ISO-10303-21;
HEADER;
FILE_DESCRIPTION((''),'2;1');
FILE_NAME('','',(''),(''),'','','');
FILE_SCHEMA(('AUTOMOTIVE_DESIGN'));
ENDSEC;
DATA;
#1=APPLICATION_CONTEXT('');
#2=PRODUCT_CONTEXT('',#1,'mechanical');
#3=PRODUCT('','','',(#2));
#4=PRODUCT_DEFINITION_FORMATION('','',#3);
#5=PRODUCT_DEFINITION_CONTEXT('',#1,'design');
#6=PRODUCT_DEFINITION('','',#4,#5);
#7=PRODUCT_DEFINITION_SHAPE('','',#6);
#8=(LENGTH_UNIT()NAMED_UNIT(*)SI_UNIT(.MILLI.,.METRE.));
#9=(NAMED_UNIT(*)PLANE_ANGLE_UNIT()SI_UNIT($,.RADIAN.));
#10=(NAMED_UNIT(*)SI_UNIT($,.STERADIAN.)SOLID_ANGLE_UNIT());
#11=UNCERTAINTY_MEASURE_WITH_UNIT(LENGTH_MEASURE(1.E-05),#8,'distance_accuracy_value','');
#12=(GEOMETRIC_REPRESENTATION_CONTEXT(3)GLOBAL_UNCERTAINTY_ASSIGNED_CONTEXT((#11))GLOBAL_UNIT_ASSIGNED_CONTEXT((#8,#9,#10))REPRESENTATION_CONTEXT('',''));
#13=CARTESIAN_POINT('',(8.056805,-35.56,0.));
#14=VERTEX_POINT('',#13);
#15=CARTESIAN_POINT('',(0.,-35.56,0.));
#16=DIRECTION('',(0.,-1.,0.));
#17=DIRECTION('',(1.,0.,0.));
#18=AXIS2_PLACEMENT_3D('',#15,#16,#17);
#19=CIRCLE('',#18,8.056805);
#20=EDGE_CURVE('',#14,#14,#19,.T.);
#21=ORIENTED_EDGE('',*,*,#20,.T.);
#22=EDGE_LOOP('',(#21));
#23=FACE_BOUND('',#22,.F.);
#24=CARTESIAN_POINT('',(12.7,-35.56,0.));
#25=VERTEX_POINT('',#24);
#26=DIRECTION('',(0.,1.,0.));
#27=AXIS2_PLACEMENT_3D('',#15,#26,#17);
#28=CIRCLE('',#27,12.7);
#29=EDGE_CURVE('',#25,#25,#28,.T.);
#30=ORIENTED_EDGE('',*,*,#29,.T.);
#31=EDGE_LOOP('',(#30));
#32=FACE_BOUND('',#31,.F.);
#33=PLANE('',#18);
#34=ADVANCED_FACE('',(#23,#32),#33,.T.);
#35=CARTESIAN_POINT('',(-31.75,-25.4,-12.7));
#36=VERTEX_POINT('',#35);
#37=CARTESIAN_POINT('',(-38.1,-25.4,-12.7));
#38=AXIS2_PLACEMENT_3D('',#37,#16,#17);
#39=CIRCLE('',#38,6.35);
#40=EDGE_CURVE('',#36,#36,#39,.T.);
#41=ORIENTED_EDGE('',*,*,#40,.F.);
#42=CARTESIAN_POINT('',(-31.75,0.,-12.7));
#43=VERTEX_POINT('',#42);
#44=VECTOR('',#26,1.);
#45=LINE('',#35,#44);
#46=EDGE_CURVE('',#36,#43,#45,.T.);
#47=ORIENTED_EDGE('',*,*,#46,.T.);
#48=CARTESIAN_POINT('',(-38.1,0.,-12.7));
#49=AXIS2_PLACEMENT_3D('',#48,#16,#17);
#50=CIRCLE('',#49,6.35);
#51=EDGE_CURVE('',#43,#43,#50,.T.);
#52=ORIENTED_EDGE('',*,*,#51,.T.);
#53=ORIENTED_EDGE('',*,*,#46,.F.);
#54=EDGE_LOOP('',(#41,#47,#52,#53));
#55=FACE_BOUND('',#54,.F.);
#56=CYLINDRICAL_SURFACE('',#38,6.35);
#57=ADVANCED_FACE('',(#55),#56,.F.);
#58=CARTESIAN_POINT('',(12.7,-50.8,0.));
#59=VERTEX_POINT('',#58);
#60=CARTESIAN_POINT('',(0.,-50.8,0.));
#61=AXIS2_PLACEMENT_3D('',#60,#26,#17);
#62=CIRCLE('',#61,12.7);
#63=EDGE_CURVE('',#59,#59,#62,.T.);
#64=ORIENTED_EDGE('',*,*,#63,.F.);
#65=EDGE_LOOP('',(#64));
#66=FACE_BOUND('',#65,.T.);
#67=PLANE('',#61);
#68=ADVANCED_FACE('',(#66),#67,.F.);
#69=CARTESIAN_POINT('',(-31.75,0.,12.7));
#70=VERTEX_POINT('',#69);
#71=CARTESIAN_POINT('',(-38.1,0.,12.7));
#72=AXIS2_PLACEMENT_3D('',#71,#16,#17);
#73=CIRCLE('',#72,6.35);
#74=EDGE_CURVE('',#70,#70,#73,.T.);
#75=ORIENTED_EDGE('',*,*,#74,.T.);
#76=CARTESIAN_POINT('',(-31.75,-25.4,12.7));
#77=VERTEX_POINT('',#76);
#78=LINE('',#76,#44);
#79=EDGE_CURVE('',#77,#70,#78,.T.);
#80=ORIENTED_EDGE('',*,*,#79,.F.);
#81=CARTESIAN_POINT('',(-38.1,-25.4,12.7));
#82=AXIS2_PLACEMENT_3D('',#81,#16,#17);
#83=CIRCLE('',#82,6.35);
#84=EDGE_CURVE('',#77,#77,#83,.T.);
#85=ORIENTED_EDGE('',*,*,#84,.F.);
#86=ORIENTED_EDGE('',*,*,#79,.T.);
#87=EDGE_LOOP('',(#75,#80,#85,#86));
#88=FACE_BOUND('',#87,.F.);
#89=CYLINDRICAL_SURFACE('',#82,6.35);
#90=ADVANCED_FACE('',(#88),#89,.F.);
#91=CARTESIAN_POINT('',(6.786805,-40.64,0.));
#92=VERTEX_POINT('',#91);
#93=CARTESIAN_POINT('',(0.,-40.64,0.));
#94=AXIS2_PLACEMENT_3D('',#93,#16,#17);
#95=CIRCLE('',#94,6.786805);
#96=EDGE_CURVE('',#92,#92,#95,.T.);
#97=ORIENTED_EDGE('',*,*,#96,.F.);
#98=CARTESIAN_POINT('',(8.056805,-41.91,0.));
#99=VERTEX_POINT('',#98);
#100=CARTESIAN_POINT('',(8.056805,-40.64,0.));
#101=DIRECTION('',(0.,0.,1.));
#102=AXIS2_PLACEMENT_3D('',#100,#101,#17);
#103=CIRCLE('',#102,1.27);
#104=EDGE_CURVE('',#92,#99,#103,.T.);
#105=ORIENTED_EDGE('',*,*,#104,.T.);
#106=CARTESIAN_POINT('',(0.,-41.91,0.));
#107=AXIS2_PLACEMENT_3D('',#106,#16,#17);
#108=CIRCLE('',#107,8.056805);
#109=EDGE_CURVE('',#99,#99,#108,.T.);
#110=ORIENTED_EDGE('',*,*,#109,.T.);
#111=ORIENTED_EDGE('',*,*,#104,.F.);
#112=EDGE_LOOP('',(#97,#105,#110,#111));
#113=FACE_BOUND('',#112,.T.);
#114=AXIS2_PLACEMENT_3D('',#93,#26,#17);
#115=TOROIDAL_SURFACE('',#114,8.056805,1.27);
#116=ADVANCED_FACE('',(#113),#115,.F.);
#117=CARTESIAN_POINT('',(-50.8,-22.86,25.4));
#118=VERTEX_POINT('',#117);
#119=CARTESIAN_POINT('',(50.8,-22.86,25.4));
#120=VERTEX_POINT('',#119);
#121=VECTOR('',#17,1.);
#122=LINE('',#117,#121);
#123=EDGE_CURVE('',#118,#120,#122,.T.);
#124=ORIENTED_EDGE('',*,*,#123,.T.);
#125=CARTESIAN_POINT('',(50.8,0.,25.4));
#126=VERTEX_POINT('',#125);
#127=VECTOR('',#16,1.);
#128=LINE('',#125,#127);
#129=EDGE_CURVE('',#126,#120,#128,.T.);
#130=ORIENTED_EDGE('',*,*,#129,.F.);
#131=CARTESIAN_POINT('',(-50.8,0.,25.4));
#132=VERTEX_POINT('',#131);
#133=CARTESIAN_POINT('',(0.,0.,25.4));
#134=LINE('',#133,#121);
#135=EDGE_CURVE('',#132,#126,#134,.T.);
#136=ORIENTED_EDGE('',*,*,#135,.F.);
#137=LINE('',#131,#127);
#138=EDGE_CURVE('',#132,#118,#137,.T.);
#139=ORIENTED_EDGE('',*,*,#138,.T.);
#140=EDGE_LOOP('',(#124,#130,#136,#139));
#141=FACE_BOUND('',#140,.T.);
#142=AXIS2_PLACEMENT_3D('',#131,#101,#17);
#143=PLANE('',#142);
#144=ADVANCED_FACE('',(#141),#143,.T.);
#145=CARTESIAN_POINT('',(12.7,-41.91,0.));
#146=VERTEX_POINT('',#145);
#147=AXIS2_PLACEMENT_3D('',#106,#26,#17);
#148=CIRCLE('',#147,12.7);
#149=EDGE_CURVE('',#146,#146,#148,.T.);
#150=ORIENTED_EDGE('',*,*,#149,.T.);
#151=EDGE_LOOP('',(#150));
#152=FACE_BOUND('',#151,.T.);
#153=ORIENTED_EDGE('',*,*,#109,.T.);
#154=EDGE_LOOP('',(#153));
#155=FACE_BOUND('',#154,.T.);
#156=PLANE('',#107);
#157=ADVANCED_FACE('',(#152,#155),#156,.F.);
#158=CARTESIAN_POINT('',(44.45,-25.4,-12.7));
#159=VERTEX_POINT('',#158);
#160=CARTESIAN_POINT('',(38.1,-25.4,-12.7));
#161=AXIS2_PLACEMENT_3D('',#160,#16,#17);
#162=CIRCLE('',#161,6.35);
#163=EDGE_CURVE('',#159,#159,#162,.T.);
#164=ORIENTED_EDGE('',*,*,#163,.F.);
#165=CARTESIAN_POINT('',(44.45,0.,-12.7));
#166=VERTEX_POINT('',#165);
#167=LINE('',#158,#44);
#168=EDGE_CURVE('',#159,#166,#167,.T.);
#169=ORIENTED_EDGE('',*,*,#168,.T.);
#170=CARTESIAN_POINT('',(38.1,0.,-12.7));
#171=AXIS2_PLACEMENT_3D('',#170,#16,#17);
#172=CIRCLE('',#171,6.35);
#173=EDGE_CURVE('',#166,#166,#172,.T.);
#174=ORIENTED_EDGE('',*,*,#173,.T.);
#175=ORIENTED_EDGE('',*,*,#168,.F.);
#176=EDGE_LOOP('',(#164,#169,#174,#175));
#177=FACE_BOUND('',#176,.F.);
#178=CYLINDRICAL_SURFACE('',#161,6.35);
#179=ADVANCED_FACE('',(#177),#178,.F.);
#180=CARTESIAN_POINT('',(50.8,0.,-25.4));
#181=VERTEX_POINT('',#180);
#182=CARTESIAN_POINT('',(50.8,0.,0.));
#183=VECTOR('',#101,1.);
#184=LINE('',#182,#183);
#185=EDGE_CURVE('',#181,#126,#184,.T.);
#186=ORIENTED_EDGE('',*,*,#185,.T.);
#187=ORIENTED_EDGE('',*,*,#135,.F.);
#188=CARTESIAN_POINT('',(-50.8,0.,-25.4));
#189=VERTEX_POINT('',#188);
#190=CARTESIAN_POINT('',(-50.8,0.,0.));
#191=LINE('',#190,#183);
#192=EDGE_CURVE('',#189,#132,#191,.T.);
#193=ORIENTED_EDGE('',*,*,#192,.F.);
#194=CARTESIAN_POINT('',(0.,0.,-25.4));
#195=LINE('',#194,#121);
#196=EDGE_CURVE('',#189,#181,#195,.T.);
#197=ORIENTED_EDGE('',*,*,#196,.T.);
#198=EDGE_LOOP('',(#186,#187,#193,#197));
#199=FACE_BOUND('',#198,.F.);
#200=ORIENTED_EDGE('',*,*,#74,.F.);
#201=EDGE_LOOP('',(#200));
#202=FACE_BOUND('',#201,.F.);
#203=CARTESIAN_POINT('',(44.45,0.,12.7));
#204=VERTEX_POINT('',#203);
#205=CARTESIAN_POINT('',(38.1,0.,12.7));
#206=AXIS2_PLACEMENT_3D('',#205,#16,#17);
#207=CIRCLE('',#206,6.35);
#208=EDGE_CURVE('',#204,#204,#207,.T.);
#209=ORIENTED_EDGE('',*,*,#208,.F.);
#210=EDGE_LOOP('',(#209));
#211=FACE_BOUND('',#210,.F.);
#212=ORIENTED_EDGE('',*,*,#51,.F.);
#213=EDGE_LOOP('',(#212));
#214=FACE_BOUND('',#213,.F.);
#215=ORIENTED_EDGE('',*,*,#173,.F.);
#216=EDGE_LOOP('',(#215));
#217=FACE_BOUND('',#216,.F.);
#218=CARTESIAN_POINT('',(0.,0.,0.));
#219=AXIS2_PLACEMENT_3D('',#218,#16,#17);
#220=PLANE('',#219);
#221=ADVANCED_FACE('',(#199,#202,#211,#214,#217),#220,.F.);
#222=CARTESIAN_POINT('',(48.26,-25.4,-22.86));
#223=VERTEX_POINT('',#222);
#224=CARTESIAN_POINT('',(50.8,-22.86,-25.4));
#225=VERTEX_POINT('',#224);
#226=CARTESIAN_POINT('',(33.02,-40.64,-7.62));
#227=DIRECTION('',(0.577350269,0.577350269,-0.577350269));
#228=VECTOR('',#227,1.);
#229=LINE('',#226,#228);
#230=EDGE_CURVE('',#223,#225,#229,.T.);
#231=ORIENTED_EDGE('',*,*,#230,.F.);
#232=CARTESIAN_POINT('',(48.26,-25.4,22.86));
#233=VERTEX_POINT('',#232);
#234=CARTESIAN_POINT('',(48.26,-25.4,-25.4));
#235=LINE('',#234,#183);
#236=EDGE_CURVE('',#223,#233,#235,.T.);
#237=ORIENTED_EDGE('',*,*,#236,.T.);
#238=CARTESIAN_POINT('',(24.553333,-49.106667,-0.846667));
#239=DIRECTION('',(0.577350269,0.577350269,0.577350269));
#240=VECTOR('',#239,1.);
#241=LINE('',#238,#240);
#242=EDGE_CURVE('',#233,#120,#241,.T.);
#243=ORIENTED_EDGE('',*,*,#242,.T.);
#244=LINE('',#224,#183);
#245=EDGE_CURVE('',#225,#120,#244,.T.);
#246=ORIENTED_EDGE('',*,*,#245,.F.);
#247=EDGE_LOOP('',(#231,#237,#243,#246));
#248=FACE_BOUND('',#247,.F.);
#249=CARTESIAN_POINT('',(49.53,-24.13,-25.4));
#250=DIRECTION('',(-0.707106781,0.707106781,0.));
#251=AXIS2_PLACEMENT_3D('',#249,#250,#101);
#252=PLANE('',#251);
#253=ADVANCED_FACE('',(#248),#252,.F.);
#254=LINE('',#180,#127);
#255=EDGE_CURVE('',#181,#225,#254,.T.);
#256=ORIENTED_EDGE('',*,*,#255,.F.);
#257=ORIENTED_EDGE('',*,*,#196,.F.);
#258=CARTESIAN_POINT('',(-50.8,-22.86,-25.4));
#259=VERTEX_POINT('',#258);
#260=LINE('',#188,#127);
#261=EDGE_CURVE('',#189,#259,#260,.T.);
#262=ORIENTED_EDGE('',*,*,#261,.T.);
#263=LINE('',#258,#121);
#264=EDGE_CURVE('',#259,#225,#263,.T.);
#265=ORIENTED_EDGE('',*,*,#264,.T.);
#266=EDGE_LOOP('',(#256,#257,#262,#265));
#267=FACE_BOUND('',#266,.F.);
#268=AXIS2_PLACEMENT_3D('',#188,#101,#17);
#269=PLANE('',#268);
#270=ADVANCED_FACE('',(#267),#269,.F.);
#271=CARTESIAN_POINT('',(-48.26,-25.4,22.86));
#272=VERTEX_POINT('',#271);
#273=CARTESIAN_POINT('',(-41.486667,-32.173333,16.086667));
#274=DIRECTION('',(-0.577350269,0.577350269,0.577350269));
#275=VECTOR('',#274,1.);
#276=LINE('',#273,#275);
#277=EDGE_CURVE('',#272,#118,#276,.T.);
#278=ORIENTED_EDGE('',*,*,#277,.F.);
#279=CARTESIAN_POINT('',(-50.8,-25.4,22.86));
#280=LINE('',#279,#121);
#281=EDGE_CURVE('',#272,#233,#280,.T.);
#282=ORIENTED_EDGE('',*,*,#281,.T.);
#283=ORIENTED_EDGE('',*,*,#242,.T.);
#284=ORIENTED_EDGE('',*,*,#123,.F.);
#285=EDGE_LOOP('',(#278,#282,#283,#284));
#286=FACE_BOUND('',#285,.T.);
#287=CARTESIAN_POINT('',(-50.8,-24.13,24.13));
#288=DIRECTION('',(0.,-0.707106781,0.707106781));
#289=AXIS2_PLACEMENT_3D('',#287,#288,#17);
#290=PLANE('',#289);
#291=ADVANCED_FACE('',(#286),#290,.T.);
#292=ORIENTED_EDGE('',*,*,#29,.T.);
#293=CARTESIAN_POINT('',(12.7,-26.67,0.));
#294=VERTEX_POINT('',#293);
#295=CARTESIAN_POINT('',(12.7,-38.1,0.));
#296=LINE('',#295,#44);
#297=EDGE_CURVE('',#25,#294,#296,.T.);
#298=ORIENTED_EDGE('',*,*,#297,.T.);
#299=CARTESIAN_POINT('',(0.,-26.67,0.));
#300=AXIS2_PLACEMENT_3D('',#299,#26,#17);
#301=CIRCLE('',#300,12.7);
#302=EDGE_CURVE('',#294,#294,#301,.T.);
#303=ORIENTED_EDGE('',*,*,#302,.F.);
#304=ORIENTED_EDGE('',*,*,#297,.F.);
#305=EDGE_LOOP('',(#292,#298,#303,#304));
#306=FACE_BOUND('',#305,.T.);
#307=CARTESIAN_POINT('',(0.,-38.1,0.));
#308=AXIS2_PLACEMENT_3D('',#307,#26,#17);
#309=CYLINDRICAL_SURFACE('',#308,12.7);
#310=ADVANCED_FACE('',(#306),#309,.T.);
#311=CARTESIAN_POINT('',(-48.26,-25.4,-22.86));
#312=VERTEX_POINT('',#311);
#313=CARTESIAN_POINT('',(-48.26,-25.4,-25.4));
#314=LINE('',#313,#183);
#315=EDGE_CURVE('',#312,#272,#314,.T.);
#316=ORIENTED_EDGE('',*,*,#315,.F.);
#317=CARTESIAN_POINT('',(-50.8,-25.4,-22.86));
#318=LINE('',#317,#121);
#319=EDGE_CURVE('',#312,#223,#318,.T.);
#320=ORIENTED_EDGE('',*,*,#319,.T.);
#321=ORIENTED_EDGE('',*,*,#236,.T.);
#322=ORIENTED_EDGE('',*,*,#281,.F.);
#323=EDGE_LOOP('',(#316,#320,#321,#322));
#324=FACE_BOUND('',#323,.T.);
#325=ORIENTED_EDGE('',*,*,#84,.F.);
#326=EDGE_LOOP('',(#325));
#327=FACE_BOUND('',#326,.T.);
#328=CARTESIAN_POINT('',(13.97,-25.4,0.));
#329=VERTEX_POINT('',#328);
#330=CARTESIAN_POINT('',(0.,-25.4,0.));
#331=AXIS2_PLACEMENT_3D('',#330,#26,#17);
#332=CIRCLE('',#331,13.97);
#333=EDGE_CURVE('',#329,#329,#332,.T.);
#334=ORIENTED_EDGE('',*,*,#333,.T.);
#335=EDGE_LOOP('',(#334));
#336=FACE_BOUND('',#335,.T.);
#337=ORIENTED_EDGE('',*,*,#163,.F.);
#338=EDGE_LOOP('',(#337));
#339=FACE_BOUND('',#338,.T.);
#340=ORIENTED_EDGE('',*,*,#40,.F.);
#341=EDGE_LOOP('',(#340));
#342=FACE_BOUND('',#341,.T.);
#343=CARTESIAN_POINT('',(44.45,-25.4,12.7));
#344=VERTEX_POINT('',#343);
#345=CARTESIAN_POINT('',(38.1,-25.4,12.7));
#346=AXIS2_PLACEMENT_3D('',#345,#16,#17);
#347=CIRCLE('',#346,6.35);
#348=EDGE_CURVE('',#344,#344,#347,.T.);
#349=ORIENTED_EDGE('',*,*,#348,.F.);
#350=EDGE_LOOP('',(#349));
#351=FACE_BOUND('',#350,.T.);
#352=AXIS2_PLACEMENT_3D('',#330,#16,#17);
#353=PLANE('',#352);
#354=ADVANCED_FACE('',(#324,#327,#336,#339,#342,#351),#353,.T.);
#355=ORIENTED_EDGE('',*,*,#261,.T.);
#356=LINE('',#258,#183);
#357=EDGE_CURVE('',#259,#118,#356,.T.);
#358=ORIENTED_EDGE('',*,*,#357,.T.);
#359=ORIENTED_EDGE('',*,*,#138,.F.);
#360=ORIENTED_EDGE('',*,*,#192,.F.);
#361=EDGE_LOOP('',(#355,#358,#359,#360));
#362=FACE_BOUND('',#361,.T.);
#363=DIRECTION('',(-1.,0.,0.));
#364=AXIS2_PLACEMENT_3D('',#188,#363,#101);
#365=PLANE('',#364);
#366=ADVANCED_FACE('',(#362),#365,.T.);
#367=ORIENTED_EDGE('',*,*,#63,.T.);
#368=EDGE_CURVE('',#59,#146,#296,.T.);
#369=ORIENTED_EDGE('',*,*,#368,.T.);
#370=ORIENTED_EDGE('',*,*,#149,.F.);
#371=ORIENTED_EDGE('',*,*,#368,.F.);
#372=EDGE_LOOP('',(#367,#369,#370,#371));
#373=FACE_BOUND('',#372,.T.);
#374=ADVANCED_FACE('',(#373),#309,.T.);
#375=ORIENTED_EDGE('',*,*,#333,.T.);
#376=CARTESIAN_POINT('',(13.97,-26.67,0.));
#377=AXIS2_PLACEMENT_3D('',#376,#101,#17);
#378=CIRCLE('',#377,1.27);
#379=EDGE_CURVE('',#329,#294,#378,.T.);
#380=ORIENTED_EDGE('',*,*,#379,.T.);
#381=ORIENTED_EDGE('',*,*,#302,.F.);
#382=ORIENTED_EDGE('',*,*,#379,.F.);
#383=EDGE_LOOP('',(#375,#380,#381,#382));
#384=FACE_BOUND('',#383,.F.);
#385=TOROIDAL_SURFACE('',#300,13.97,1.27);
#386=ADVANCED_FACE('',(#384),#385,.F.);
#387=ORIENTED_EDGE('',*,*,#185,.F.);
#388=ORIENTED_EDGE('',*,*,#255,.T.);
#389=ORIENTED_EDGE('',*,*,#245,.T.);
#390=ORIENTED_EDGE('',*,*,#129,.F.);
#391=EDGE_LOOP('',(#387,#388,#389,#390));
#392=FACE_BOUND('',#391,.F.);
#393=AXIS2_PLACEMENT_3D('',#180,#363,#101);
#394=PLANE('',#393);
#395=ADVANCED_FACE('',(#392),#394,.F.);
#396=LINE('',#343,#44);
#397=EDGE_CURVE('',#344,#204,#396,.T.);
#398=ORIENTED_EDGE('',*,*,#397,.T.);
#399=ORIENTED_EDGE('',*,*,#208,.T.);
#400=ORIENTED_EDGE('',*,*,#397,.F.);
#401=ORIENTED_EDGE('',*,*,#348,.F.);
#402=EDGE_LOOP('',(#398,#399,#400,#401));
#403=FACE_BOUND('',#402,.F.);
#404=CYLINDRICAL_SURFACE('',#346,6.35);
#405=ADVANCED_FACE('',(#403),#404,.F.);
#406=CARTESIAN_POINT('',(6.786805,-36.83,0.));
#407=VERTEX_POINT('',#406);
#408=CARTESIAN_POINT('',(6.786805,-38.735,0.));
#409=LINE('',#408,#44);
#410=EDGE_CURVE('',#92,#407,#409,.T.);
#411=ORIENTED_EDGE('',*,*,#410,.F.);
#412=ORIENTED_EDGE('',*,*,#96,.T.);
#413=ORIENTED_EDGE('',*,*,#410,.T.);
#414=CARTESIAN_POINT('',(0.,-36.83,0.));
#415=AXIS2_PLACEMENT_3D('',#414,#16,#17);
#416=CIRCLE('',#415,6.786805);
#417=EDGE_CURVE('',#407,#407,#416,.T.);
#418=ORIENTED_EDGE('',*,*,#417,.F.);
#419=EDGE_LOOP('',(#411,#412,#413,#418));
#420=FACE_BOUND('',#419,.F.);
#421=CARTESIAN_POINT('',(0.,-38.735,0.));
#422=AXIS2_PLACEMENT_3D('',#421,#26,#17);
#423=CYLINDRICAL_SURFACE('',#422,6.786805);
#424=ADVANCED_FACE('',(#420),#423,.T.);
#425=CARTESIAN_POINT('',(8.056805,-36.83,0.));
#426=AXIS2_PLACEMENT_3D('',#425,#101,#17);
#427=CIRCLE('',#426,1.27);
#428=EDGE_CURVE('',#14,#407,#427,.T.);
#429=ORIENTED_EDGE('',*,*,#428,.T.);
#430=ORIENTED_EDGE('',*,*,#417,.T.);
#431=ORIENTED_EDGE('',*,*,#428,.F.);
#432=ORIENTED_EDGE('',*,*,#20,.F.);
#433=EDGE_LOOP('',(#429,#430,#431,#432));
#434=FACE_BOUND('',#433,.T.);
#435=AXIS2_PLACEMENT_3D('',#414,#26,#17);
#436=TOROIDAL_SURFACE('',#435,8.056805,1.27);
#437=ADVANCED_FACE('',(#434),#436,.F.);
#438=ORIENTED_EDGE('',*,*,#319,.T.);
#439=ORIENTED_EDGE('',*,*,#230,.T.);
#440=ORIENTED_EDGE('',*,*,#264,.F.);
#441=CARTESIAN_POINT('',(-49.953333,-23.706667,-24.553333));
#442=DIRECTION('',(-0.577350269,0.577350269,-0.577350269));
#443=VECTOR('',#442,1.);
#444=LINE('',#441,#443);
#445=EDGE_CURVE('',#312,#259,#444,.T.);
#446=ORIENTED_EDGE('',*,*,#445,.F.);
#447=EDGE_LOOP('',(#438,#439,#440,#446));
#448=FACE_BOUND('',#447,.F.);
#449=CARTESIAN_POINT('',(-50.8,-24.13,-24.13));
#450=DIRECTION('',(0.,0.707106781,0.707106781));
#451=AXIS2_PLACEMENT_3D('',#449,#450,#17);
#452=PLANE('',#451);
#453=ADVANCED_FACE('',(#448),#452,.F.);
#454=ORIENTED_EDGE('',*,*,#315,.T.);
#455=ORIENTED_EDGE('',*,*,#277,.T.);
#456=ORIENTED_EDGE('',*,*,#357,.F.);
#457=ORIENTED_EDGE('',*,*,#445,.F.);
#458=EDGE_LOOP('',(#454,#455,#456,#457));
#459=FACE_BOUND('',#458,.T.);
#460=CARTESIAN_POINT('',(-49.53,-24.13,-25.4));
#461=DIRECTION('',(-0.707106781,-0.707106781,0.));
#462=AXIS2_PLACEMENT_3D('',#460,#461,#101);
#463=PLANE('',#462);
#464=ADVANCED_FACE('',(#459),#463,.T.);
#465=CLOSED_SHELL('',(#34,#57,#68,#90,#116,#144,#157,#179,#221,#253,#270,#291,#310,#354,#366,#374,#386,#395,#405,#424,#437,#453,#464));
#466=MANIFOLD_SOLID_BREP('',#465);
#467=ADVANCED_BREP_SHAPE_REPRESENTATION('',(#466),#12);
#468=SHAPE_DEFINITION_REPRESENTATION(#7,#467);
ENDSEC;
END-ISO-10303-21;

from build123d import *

# Parameters (mm, degrees)
F0_W     = 101.6
F0_H     = 50.8
F1_DEPTH = 25.4
F2_R     = 6.35
F3_DEPTH = 25.401
F4_W     = 12.7
F4_H     = 25.4
F6_W     = 10.16
F6_H     = 6.35
F8_R     = 1.27
F9_SIZE  = 2.54


with BuildPart() as f1:
    # F0 (on Front) → F1 (new body)
    with BuildSketch(Plane.XZ):
        Rectangle(F0_W, F0_H)
    extrude(amount=F1_DEPTH)

    # F2 (on face) → F3 (cut, through all)
    with BuildSketch(Plane.XZ.offset(25.4)):
        with Locations((-38.1, 12.7)):
            Circle(F2_R)
        with Locations((-38.1, -12.7)):
            Circle(F2_R)
        with Locations((38.1, 12.7)):
            Circle(F2_R)
        with Locations((38.1, -12.7)):
            Circle(F2_R)
    extrude(amount=-F3_DEPTH, mode=Mode.SUBTRACT)

    # F4 (on Top) → F5 (revolve)
    with BuildSketch(Plane.XY):
        with Locations((6.35, -38.1)):
            Rectangle(F4_W, F4_H)
    revolve(axis=Axis((0, -38.1, 0), (0, 1, 0)))

    # F6 (on Top) → F7 (revolve, cut)
    with BuildSketch(Plane.XY):
        with Locations((11.866805, -38.735)):
            Rectangle(F6_W, F6_H)
    revolve(axis=Axis((0, -36.219459, 0), (0, -1, 0)), mode=Mode.SUBTRACT)

    # F8
    f8_edges = [f1.edges().sort_by_distance(p)[0] for p in [
        (-12.7, -25.4, 0),
        (-6.786805, -41.91, 0),
        (-6.786805, -35.56, 0),
    ]]
    fillet(f8_edges, radius=F8_R)

    # F9
    f9_edges = [f1.edges().sort_by_distance(p)[0] for p in [
        (0, -25.4, -25.4),
        (0, -25.4, 25.4),
        (-50.8, -25.4, 0),
        (50.8, -25.4, 0),
    ]]
    chamfer(f9_edges, length=F9_SIZE)


solid = f1.part
